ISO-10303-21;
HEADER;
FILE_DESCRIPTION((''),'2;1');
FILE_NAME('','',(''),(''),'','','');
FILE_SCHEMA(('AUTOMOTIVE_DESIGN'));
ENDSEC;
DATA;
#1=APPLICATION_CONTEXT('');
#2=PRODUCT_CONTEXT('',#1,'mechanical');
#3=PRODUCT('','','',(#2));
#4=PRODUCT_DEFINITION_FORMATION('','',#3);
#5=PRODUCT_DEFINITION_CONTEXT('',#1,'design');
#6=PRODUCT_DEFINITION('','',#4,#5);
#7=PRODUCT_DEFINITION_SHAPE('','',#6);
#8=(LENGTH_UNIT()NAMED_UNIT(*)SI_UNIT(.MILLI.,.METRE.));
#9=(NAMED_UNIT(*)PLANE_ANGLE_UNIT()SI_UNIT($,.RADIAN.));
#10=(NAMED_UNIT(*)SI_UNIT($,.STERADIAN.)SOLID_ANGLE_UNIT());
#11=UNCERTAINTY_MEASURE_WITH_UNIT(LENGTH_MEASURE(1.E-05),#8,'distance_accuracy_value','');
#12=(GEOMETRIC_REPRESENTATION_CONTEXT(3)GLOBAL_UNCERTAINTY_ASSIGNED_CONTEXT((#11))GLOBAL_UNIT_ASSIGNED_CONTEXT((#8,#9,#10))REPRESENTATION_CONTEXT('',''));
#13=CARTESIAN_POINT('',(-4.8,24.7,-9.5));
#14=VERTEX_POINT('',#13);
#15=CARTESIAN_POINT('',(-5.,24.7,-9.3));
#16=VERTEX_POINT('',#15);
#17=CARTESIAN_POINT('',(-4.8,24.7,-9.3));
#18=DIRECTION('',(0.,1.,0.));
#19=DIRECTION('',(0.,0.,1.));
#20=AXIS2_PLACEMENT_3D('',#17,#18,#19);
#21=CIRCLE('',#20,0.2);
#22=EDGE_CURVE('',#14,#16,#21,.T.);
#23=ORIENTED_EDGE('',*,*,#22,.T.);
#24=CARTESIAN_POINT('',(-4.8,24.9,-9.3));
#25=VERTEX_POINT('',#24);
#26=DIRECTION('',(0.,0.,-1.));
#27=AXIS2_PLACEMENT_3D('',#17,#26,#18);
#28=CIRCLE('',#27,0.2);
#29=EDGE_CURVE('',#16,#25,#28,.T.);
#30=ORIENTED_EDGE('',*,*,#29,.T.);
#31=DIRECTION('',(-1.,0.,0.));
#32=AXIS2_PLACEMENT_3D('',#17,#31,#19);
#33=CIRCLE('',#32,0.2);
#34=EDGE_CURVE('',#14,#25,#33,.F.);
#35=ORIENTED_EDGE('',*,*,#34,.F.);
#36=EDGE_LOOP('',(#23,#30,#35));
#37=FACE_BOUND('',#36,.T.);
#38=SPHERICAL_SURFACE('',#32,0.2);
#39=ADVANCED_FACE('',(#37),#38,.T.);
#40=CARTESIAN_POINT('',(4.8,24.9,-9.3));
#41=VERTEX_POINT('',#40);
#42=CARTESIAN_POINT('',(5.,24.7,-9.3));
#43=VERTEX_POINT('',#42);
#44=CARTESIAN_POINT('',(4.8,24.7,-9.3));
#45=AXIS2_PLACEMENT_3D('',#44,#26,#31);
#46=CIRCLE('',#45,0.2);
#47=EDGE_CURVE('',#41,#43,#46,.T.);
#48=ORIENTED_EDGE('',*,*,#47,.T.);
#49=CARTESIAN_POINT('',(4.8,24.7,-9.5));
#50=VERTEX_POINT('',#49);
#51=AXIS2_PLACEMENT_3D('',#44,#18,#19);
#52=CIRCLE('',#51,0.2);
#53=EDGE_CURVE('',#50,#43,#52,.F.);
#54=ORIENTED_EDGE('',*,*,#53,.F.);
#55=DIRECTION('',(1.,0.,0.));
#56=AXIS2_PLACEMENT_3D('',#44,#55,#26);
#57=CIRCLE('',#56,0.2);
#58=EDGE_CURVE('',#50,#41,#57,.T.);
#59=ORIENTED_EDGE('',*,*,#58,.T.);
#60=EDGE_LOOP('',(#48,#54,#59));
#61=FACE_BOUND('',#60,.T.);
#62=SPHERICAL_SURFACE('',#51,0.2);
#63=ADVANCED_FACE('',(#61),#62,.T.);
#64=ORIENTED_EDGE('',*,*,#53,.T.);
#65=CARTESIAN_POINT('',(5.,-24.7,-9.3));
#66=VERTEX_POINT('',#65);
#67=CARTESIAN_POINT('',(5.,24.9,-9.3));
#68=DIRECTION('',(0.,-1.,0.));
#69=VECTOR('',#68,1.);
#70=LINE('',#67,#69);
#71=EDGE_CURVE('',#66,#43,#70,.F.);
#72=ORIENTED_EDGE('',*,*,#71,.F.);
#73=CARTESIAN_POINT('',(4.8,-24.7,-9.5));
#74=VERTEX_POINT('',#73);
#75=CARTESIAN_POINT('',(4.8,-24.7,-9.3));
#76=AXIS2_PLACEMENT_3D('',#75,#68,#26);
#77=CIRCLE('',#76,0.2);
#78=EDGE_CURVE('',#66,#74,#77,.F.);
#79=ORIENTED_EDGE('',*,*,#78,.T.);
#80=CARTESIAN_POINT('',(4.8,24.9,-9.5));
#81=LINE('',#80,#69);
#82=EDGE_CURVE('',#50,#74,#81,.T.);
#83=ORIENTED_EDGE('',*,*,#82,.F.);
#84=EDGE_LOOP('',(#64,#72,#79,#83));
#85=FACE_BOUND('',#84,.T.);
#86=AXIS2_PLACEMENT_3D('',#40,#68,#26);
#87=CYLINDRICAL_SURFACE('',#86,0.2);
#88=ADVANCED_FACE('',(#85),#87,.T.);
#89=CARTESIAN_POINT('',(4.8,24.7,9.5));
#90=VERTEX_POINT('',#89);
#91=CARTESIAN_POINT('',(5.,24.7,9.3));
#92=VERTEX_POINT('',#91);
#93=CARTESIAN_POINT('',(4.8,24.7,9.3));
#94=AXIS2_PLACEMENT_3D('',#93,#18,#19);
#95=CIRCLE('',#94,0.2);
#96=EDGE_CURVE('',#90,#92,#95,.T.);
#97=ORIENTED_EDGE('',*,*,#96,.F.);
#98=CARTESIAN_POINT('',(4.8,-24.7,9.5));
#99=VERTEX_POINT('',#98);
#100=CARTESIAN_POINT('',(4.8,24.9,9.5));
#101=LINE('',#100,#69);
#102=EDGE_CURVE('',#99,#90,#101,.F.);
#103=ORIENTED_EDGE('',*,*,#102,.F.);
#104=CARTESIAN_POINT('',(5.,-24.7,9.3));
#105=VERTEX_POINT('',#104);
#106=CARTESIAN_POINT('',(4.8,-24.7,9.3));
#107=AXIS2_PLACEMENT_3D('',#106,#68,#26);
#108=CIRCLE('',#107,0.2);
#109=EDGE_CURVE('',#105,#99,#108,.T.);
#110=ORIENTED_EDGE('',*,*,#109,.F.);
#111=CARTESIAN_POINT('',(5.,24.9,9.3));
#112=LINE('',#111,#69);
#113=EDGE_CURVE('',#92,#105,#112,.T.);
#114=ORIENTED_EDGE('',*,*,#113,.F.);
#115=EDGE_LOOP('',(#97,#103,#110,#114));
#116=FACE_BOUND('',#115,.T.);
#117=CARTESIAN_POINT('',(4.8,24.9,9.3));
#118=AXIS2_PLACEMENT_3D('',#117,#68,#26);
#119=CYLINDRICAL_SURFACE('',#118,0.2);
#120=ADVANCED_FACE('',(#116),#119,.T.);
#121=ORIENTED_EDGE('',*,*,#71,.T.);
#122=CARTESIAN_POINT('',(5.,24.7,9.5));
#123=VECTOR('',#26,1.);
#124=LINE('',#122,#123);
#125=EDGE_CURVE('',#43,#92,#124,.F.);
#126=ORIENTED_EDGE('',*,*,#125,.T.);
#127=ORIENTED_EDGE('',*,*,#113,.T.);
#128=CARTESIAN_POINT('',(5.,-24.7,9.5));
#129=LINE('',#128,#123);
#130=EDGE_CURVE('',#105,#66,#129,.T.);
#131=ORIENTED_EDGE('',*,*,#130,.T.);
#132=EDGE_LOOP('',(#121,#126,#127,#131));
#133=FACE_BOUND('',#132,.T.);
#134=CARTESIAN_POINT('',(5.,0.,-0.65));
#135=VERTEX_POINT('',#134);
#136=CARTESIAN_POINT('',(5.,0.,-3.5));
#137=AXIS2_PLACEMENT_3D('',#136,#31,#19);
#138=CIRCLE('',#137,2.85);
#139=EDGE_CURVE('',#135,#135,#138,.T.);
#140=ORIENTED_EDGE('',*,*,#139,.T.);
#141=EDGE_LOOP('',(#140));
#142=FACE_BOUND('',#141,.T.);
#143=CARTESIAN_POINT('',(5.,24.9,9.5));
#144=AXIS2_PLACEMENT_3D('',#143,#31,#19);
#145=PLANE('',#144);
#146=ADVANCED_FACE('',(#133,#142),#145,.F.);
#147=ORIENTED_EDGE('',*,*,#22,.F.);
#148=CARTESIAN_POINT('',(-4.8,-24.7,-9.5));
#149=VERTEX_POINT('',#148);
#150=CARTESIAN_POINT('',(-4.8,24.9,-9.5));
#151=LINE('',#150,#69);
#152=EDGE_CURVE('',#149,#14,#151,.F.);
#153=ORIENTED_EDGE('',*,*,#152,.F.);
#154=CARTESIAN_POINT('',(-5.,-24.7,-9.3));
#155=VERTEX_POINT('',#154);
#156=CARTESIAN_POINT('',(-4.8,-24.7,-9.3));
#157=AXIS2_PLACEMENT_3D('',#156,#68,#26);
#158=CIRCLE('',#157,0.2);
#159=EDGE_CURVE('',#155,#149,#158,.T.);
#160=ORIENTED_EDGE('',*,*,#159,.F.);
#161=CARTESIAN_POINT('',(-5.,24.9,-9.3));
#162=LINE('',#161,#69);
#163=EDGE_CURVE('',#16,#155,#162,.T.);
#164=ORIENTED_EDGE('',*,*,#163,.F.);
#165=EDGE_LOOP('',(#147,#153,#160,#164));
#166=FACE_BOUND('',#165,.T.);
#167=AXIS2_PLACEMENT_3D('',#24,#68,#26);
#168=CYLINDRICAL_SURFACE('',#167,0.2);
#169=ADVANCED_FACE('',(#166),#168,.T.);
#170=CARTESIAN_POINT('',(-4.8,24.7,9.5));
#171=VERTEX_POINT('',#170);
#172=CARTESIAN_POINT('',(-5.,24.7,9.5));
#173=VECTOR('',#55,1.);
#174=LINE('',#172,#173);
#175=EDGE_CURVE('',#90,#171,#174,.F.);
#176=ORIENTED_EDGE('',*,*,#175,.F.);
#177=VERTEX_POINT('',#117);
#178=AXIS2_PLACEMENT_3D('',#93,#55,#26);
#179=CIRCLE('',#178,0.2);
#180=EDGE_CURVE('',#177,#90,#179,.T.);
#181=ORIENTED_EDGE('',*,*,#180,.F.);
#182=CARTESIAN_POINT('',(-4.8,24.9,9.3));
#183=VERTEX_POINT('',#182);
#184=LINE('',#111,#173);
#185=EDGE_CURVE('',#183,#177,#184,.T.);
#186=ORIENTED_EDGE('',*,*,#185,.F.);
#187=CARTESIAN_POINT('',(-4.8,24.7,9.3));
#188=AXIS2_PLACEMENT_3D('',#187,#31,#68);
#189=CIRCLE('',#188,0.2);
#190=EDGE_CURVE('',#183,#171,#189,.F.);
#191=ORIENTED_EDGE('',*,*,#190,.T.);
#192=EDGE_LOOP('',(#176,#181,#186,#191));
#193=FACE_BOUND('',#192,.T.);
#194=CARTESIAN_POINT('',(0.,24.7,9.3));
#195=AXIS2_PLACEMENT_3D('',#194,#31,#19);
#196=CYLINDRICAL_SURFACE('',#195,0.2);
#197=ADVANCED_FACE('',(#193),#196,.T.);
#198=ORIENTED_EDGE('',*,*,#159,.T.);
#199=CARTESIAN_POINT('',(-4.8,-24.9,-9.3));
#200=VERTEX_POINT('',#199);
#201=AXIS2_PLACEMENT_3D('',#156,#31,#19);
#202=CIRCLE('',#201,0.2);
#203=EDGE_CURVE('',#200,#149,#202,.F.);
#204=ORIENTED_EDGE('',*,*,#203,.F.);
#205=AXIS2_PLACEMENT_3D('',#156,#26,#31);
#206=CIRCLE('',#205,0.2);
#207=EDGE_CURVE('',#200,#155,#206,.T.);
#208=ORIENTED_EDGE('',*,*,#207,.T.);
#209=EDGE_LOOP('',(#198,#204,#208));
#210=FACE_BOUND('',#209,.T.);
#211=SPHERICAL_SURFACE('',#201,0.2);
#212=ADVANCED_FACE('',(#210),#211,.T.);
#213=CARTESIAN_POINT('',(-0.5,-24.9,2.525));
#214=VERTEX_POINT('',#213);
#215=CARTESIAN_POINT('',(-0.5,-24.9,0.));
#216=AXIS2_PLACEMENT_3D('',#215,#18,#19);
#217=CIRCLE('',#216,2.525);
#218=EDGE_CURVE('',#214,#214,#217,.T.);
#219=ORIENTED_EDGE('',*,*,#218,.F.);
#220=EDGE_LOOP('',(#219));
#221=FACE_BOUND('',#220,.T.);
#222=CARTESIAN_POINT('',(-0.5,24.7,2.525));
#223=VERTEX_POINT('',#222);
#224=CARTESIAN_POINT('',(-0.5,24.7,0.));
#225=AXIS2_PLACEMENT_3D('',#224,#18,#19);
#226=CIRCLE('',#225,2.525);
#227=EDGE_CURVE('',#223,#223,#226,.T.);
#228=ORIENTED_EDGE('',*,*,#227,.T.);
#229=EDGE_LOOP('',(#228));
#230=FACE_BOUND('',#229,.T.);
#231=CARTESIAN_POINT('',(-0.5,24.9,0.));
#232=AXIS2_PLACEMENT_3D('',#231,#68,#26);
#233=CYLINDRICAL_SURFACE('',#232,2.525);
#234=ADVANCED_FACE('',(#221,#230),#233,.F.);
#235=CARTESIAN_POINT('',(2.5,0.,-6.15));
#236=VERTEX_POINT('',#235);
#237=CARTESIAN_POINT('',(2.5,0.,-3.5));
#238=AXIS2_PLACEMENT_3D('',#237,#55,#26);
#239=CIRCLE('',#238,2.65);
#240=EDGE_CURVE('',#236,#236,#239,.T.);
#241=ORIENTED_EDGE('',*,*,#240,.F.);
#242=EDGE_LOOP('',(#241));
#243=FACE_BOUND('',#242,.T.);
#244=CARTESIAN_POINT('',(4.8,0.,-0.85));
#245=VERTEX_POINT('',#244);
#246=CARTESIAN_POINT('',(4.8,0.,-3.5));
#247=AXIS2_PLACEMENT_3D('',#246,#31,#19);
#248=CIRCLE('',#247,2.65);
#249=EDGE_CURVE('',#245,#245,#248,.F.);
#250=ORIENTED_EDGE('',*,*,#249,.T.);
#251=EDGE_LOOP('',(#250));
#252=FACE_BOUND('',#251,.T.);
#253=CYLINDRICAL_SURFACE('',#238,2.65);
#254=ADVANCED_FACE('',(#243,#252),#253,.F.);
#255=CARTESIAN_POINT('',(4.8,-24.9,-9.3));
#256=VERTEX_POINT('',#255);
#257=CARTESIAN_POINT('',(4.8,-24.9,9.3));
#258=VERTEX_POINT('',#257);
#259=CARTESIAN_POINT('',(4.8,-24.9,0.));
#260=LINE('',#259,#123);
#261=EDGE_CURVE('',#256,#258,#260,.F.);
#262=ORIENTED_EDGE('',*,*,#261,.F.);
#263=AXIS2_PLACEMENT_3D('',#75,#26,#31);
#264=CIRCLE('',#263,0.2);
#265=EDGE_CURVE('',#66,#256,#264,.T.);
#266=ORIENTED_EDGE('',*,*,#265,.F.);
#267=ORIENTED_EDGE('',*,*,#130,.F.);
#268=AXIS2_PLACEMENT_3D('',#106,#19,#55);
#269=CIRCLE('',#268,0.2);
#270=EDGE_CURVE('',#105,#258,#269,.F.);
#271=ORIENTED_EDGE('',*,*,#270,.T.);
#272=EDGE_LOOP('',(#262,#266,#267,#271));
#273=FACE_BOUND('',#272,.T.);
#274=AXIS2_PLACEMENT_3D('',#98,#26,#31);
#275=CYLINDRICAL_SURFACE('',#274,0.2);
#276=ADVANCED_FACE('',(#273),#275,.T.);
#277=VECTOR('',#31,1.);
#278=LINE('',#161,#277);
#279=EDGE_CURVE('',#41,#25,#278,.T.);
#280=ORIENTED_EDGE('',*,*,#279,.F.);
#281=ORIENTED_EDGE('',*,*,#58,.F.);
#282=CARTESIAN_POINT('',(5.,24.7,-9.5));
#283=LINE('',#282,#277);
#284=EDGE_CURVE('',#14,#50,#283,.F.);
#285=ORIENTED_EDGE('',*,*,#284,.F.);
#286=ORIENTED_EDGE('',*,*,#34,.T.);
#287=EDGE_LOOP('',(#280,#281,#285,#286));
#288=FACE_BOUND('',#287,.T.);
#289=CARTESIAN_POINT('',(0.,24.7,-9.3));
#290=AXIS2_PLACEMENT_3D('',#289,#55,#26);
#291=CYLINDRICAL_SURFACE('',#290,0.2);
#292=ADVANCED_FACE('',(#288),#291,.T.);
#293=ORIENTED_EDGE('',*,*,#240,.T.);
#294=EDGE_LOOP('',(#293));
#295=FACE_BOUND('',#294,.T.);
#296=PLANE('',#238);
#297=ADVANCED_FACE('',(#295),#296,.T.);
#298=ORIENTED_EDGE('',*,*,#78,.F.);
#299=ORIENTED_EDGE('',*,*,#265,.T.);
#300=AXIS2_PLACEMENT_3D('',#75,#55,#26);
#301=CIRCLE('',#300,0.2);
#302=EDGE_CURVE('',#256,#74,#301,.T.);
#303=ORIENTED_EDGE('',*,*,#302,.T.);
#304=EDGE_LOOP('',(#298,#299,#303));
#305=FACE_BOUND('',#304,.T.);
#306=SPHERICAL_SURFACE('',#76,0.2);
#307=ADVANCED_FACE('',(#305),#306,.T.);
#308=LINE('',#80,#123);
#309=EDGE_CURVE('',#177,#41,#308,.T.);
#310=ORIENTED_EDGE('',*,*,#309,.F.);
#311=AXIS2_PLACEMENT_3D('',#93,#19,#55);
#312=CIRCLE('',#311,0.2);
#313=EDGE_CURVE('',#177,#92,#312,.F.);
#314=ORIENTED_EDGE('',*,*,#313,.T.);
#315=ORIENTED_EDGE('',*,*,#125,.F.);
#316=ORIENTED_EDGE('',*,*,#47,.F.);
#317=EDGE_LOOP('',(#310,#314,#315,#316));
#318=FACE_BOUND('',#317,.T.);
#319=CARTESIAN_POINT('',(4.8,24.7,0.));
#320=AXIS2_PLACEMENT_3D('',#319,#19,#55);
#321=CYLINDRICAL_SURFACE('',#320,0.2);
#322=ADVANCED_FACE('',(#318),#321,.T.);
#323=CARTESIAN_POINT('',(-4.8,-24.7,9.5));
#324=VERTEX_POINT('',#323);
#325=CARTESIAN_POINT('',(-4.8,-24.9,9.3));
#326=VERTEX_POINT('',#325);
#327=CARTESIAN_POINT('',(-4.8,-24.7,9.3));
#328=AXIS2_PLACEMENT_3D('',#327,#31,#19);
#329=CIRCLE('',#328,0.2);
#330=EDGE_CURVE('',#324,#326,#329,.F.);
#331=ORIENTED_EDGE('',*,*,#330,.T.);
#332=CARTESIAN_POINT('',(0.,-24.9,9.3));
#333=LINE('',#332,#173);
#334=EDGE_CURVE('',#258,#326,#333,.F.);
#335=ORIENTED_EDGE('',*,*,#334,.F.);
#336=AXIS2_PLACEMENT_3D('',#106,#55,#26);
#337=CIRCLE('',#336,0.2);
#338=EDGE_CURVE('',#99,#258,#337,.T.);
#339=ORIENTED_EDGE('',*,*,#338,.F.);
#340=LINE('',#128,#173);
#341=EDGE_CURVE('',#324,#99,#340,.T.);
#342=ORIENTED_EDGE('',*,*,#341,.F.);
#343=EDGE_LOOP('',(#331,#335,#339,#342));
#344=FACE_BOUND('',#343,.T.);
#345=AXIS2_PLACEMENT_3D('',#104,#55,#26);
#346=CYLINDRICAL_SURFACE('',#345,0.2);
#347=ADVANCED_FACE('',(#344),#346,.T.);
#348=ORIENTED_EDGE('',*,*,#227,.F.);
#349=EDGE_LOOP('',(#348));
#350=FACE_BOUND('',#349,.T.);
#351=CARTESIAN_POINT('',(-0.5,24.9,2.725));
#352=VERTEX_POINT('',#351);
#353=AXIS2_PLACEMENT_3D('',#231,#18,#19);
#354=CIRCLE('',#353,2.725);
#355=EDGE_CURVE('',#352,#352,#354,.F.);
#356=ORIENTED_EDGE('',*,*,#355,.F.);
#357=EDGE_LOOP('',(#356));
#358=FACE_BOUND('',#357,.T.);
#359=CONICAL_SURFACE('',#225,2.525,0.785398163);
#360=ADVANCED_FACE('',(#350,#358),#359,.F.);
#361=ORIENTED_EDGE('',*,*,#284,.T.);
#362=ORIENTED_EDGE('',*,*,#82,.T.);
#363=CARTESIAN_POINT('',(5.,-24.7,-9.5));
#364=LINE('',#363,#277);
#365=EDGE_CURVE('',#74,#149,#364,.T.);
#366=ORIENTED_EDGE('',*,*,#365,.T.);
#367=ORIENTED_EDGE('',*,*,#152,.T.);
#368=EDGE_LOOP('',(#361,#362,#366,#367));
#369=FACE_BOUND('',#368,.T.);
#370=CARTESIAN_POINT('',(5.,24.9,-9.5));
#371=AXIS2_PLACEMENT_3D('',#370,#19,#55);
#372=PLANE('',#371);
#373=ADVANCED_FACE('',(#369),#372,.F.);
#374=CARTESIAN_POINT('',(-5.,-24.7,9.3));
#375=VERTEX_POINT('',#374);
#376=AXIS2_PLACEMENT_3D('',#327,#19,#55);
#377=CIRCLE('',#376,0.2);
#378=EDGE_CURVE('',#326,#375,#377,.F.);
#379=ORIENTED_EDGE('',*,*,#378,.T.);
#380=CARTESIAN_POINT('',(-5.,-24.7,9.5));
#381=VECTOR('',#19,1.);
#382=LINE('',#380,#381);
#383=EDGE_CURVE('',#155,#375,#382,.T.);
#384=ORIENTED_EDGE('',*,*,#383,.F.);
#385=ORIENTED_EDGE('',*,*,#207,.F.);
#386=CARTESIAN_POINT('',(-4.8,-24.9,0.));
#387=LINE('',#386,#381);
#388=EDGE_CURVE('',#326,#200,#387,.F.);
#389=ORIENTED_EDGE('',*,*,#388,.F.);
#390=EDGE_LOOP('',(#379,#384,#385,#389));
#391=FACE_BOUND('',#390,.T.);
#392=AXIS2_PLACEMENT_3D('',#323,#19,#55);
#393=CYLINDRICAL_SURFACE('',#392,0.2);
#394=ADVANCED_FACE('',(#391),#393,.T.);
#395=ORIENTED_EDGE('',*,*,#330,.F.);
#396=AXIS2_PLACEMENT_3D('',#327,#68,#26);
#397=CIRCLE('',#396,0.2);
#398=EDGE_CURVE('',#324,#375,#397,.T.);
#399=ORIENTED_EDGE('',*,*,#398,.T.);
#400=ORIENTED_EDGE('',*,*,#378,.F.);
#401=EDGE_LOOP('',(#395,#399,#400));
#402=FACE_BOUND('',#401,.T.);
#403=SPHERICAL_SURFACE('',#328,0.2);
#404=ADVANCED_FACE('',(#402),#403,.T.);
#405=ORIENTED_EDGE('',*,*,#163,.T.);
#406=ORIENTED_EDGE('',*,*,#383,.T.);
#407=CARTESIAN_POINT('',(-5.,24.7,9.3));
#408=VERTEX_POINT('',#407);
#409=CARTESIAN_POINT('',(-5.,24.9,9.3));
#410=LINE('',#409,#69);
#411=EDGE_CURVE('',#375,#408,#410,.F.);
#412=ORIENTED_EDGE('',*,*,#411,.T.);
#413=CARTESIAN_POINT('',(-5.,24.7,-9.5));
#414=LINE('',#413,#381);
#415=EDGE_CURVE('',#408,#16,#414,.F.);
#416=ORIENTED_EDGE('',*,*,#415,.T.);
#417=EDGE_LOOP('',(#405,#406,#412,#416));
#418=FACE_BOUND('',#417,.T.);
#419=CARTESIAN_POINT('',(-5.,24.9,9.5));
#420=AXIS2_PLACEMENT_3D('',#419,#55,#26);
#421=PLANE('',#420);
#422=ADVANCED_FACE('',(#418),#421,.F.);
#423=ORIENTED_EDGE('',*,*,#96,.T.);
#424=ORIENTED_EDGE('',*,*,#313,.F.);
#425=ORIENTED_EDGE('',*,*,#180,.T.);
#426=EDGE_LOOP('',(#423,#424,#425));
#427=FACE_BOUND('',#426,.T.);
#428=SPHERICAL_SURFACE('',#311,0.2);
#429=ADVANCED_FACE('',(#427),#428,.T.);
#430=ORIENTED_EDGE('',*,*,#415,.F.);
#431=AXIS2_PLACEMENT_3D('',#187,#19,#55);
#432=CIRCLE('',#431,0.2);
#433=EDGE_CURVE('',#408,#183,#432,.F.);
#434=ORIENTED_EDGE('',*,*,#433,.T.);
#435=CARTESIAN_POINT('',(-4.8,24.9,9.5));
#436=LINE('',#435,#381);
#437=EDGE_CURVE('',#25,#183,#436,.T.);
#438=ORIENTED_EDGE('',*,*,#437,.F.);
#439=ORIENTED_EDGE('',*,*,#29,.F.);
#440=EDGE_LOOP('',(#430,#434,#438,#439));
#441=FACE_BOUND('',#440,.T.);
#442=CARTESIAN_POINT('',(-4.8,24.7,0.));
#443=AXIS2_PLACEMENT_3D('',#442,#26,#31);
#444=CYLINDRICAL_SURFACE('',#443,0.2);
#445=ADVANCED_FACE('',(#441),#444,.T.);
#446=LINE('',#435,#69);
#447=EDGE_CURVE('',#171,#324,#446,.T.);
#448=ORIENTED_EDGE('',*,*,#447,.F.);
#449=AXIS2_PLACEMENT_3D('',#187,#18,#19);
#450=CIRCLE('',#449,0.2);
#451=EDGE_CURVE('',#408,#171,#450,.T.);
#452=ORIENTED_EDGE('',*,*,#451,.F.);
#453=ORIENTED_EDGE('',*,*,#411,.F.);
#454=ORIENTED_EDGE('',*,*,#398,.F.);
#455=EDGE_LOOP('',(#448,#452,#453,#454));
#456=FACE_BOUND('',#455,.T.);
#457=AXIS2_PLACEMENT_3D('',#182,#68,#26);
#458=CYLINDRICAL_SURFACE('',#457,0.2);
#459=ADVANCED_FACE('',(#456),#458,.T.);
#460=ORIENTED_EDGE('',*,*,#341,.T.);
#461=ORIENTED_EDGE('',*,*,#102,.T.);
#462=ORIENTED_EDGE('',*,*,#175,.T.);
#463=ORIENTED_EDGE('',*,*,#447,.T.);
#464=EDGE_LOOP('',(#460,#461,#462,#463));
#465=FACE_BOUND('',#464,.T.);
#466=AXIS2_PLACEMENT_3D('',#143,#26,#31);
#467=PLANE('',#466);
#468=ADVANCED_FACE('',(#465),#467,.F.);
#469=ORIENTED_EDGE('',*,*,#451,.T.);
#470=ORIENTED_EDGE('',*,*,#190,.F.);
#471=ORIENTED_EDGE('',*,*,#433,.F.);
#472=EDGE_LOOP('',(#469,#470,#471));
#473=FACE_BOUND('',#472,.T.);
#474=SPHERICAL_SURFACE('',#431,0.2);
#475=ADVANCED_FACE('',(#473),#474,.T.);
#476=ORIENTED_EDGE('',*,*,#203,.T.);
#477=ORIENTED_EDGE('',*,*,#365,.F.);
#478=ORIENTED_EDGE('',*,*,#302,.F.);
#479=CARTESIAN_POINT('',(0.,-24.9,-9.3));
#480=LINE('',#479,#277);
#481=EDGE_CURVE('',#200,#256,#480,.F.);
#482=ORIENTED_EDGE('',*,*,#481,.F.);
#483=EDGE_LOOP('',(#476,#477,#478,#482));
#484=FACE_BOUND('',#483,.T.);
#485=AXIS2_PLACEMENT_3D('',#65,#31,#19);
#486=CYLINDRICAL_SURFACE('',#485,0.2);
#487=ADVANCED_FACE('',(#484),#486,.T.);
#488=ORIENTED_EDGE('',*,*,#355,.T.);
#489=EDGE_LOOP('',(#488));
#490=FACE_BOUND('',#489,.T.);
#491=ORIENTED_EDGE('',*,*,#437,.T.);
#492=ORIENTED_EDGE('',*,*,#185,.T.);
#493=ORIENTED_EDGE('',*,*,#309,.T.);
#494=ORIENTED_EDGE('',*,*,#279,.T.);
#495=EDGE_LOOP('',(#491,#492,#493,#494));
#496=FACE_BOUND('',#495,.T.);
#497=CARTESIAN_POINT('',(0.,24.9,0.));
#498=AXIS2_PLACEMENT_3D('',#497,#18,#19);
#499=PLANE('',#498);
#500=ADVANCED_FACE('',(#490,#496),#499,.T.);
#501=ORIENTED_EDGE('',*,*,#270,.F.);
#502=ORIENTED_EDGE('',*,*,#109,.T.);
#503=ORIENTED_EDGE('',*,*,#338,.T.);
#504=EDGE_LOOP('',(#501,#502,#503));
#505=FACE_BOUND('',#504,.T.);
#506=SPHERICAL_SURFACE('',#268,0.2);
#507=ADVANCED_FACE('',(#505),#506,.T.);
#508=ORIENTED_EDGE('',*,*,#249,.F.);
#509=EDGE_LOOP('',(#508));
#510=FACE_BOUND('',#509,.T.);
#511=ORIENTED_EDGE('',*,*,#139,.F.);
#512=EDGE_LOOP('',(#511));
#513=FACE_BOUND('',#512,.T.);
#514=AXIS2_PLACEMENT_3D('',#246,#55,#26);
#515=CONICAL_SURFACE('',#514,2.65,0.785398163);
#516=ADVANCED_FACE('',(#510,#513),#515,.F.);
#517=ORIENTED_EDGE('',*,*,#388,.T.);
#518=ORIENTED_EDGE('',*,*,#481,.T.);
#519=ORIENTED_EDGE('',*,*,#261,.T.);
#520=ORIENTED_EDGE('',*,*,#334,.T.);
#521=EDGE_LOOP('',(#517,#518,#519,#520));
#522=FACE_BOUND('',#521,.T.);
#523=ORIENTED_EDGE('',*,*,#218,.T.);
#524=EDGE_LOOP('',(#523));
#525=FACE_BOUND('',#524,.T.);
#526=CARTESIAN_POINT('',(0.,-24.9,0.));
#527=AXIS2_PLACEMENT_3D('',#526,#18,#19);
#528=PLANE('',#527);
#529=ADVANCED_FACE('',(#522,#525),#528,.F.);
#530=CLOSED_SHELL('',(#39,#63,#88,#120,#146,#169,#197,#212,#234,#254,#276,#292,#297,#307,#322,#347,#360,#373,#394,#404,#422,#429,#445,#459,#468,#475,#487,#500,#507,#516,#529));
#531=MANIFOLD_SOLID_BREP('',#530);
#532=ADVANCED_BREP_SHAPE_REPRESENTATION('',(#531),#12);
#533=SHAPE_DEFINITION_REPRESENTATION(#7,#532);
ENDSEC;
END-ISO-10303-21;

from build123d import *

# Parameters (mm, degrees)
SKETCH1_W           = 10
SKETCH1_H           = 19
SKETCH1_R           = 2.525
BOSS_EXTRUDE1_DEPTH = 24.9
SKETCH2_R           = 2.65
CUT_EXTRUDE1_DEPTH  = 2.5
FILLET1_R           = 0.2
CHAMFER1_SIZE       = 0.2


with BuildPart() as part:
    # Sketch1 → Boss-Extrude1 (new body, symmetric)
    with BuildSketch(Plane(origin=(0, 0, 0), x_dir=(1, 0, 0), z_dir=(0, 1, 0))):
        Rectangle(SKETCH1_W, SKETCH1_H)
        with Locations((-0.5, 0)):
            Circle(SKETCH1_R, mode=Mode.SUBTRACT)
    extrude(amount=BOSS_EXTRUDE1_DEPTH, both=True)

    # Sketch2 → Cut-Extrude1 (cut)
    with BuildSketch(Plane(origin=(5, 0, 0), x_dir=(0, 0, -1), z_dir=(1, 0, 0))):
        with Locations((3.5, 0)):
            Circle(SKETCH2_R)
    extrude(amount=-CUT_EXTRUDE1_DEPTH, mode=Mode.SUBTRACT)

    # Fillet1
    fillet1_edges = [part.edges().sort_by_distance(p)[0] for p in [
        (5, 24.9, 0),
        (0, 24.9, -9.5),
        (-5, 24.9, 0),
        (0, -24.9, -9.5),
        (5, -24.9, 0),
        (0, -24.9, 9.5),
        (-5, -24.9, 0),
        (-5, 0, -9.5),
        (5, 0, -9.5),
        (5, 0, 9.5),
        (-5, 0, 9.5),
        (0, 24.9, 9.5),
    ]]
    fillet(fillet1_edges, radius=FILLET1_R)

    # Chamfer1
    chamfer1_edges = [part.edges().sort_by_distance(p)[0] for p in [
        (-3.025, 24.9, 0),
        (5, 0, -0.85),
    ]]
    chamfer(chamfer1_edges, length=CHAMFER1_SIZE)


solid = part.part
